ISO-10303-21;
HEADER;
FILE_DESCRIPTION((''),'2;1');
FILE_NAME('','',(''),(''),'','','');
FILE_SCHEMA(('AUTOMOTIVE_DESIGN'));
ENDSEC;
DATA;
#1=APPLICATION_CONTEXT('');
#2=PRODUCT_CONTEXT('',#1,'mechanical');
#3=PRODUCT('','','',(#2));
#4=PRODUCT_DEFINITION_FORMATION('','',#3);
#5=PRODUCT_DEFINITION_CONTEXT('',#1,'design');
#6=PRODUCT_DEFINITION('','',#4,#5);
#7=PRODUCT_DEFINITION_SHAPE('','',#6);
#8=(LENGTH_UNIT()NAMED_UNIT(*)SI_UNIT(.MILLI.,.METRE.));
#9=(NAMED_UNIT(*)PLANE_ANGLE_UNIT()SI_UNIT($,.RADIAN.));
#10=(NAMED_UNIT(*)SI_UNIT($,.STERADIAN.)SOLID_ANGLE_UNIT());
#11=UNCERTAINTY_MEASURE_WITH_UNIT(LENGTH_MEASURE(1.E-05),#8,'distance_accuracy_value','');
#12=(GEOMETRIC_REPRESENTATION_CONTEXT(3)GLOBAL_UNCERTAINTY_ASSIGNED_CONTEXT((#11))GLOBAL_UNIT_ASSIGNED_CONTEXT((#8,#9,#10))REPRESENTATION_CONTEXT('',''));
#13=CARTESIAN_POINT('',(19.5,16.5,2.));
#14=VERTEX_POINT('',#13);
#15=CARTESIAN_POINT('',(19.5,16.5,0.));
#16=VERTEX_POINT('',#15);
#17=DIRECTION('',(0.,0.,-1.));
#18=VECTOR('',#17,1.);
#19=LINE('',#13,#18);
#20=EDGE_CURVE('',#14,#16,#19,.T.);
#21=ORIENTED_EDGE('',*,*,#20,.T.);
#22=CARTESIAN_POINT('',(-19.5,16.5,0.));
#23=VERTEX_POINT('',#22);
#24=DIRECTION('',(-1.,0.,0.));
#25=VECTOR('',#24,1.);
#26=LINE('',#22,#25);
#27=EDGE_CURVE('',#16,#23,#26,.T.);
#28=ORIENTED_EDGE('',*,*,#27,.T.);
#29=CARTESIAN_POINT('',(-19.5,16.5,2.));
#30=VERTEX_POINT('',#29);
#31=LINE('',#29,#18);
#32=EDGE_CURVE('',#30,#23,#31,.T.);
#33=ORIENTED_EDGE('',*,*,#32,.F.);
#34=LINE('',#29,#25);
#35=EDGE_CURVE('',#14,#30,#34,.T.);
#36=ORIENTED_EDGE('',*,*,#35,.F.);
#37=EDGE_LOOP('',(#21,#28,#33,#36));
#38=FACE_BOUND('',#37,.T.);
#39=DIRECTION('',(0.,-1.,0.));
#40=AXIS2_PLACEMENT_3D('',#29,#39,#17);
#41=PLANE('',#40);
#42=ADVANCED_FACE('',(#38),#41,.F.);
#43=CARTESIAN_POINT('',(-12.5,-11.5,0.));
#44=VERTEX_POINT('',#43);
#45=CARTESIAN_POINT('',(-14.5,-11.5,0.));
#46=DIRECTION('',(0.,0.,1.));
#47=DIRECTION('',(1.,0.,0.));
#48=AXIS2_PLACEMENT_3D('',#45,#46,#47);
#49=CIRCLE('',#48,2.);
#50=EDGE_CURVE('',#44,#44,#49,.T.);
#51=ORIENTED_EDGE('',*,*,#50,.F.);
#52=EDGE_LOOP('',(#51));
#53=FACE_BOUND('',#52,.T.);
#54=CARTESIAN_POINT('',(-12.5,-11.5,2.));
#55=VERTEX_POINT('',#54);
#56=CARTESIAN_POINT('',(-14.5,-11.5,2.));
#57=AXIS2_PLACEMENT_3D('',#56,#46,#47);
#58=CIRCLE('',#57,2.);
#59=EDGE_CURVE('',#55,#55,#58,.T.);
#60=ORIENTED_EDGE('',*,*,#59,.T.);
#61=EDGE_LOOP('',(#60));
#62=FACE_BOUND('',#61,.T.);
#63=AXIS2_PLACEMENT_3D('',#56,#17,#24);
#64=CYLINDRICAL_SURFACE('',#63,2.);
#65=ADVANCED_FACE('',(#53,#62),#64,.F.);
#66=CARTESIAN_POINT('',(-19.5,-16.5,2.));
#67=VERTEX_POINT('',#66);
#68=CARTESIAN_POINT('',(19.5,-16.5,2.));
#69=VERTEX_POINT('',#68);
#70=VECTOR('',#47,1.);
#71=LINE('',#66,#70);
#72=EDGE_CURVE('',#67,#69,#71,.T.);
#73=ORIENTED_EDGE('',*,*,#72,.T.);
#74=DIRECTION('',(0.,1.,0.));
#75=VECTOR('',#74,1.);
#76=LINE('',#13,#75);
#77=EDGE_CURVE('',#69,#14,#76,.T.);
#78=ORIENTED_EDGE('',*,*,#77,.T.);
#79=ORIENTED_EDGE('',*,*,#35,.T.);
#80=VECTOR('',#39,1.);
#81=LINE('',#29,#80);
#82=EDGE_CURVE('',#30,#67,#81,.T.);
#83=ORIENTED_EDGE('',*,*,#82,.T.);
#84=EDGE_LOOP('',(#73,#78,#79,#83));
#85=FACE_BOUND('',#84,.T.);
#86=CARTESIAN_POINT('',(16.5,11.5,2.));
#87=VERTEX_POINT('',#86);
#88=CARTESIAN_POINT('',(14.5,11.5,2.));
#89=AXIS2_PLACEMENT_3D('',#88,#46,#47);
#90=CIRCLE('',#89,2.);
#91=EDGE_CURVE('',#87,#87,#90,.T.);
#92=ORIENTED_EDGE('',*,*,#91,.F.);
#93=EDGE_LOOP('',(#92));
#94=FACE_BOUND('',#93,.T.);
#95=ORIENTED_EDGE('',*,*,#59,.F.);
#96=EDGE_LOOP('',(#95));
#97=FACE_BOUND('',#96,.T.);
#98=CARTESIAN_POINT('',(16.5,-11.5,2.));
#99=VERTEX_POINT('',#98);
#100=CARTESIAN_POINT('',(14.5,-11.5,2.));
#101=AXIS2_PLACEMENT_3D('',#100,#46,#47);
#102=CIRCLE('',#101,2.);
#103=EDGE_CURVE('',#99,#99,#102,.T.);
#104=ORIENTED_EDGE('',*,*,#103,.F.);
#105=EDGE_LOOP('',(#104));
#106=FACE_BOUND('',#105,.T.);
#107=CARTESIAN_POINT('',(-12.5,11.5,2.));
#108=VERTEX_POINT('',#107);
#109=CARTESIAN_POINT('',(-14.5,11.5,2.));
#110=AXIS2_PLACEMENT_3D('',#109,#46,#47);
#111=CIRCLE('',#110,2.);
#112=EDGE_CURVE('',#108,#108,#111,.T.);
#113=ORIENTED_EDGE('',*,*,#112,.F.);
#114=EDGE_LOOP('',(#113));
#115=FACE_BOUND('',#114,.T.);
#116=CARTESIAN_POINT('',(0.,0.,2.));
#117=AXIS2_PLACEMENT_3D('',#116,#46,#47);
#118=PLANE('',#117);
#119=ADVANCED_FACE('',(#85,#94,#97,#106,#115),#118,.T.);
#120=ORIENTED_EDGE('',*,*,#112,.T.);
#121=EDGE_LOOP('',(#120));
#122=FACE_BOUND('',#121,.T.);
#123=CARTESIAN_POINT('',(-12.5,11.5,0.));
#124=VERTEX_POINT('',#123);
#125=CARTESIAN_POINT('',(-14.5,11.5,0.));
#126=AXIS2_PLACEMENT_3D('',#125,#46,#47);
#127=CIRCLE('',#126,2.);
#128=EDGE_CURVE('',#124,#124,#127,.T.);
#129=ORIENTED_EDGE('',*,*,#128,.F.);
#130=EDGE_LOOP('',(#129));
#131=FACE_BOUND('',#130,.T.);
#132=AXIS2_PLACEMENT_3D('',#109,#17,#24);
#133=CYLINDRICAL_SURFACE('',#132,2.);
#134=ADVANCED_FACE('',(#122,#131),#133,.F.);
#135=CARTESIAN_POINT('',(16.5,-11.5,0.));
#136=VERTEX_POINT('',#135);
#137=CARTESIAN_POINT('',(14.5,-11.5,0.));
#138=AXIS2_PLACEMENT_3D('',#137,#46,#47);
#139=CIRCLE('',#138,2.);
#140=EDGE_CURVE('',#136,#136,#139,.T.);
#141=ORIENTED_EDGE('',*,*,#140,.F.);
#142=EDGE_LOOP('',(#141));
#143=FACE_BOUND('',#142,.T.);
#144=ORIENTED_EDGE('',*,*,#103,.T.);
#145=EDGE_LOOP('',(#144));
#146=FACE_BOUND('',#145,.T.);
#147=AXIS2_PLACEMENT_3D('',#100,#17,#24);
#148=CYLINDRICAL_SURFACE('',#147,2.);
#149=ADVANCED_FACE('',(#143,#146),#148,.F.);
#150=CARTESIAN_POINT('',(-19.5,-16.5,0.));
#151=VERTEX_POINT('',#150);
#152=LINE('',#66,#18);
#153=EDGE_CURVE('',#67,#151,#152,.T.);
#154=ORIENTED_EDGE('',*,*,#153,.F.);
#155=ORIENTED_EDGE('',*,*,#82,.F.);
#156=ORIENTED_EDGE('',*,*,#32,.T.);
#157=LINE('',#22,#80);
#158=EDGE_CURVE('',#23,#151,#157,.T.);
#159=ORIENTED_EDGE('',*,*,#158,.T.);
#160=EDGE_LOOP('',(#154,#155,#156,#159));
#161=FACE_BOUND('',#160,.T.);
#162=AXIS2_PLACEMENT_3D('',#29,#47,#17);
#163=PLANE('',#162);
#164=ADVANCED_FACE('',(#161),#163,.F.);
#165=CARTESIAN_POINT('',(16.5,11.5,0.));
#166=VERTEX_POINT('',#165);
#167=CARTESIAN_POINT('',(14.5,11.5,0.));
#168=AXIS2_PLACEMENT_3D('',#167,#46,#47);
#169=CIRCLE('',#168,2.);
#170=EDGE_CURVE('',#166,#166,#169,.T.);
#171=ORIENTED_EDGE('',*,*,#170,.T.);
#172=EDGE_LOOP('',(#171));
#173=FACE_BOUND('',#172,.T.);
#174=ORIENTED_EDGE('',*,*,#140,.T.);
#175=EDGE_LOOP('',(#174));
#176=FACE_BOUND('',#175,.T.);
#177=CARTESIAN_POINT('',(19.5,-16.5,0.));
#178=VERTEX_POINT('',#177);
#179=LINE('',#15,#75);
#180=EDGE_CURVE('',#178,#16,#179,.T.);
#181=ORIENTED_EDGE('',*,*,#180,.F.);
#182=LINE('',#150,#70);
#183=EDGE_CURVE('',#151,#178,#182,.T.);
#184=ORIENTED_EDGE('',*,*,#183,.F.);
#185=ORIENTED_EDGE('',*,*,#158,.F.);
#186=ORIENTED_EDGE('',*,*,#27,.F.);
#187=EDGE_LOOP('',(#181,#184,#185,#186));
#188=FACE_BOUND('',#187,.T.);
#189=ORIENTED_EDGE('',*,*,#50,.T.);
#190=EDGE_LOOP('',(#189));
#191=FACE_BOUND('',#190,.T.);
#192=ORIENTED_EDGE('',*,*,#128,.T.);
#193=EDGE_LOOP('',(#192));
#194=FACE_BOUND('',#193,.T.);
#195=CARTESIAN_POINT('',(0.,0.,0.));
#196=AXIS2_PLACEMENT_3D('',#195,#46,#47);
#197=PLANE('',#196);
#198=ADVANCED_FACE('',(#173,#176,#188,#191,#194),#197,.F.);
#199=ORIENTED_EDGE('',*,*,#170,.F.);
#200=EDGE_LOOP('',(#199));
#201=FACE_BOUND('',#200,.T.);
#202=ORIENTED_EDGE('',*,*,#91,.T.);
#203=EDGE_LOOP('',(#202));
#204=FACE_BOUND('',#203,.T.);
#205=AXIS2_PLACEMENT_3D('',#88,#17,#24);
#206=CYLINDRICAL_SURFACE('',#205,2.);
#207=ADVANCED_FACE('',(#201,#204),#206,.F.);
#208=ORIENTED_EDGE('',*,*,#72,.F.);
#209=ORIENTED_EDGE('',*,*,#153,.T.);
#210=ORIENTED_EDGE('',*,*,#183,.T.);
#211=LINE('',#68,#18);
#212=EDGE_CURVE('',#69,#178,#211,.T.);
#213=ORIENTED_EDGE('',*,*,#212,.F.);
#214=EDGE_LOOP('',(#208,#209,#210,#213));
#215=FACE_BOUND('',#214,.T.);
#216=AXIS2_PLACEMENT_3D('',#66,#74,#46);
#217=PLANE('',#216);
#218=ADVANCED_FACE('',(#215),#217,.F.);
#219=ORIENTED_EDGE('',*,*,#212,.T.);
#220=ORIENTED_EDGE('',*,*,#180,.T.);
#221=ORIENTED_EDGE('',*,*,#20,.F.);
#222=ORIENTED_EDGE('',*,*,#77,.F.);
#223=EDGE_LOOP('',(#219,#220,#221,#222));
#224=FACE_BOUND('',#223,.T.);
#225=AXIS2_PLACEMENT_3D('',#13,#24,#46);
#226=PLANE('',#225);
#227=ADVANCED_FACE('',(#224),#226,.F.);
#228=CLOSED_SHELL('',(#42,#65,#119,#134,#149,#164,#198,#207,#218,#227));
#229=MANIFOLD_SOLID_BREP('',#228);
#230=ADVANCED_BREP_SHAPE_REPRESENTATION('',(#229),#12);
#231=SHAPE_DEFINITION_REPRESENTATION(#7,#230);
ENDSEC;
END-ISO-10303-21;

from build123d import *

# Parameters (mm, degrees)
SKETCH_1_W      = 39
SKETCH_1_H      = 33
SKETCH_1_R      = 2
EXTRUDE_1_DEPTH = 2


with BuildPart() as part:
    # 草圖1 → 填料-伸長1 (new body)
    with BuildSketch(Plane.XY):
        Rectangle(SKETCH_1_W, SKETCH_1_H)
        with Locations((-14.5, 11.5)):
            Circle(SKETCH_1_R, mode=Mode.SUBTRACT)
        with Locations((-14.5, -11.5)):
            Circle(SKETCH_1_R, mode=Mode.SUBTRACT)
        with Locations((14.5, -11.5)):
            Circle(SKETCH_1_R, mode=Mode.SUBTRACT)
        with Locations((14.5, 11.5)):
            Circle(SKETCH_1_R, mode=Mode.SUBTRACT)
    extrude(amount=EXTRUDE_1_DEPTH)


solid = part.part
